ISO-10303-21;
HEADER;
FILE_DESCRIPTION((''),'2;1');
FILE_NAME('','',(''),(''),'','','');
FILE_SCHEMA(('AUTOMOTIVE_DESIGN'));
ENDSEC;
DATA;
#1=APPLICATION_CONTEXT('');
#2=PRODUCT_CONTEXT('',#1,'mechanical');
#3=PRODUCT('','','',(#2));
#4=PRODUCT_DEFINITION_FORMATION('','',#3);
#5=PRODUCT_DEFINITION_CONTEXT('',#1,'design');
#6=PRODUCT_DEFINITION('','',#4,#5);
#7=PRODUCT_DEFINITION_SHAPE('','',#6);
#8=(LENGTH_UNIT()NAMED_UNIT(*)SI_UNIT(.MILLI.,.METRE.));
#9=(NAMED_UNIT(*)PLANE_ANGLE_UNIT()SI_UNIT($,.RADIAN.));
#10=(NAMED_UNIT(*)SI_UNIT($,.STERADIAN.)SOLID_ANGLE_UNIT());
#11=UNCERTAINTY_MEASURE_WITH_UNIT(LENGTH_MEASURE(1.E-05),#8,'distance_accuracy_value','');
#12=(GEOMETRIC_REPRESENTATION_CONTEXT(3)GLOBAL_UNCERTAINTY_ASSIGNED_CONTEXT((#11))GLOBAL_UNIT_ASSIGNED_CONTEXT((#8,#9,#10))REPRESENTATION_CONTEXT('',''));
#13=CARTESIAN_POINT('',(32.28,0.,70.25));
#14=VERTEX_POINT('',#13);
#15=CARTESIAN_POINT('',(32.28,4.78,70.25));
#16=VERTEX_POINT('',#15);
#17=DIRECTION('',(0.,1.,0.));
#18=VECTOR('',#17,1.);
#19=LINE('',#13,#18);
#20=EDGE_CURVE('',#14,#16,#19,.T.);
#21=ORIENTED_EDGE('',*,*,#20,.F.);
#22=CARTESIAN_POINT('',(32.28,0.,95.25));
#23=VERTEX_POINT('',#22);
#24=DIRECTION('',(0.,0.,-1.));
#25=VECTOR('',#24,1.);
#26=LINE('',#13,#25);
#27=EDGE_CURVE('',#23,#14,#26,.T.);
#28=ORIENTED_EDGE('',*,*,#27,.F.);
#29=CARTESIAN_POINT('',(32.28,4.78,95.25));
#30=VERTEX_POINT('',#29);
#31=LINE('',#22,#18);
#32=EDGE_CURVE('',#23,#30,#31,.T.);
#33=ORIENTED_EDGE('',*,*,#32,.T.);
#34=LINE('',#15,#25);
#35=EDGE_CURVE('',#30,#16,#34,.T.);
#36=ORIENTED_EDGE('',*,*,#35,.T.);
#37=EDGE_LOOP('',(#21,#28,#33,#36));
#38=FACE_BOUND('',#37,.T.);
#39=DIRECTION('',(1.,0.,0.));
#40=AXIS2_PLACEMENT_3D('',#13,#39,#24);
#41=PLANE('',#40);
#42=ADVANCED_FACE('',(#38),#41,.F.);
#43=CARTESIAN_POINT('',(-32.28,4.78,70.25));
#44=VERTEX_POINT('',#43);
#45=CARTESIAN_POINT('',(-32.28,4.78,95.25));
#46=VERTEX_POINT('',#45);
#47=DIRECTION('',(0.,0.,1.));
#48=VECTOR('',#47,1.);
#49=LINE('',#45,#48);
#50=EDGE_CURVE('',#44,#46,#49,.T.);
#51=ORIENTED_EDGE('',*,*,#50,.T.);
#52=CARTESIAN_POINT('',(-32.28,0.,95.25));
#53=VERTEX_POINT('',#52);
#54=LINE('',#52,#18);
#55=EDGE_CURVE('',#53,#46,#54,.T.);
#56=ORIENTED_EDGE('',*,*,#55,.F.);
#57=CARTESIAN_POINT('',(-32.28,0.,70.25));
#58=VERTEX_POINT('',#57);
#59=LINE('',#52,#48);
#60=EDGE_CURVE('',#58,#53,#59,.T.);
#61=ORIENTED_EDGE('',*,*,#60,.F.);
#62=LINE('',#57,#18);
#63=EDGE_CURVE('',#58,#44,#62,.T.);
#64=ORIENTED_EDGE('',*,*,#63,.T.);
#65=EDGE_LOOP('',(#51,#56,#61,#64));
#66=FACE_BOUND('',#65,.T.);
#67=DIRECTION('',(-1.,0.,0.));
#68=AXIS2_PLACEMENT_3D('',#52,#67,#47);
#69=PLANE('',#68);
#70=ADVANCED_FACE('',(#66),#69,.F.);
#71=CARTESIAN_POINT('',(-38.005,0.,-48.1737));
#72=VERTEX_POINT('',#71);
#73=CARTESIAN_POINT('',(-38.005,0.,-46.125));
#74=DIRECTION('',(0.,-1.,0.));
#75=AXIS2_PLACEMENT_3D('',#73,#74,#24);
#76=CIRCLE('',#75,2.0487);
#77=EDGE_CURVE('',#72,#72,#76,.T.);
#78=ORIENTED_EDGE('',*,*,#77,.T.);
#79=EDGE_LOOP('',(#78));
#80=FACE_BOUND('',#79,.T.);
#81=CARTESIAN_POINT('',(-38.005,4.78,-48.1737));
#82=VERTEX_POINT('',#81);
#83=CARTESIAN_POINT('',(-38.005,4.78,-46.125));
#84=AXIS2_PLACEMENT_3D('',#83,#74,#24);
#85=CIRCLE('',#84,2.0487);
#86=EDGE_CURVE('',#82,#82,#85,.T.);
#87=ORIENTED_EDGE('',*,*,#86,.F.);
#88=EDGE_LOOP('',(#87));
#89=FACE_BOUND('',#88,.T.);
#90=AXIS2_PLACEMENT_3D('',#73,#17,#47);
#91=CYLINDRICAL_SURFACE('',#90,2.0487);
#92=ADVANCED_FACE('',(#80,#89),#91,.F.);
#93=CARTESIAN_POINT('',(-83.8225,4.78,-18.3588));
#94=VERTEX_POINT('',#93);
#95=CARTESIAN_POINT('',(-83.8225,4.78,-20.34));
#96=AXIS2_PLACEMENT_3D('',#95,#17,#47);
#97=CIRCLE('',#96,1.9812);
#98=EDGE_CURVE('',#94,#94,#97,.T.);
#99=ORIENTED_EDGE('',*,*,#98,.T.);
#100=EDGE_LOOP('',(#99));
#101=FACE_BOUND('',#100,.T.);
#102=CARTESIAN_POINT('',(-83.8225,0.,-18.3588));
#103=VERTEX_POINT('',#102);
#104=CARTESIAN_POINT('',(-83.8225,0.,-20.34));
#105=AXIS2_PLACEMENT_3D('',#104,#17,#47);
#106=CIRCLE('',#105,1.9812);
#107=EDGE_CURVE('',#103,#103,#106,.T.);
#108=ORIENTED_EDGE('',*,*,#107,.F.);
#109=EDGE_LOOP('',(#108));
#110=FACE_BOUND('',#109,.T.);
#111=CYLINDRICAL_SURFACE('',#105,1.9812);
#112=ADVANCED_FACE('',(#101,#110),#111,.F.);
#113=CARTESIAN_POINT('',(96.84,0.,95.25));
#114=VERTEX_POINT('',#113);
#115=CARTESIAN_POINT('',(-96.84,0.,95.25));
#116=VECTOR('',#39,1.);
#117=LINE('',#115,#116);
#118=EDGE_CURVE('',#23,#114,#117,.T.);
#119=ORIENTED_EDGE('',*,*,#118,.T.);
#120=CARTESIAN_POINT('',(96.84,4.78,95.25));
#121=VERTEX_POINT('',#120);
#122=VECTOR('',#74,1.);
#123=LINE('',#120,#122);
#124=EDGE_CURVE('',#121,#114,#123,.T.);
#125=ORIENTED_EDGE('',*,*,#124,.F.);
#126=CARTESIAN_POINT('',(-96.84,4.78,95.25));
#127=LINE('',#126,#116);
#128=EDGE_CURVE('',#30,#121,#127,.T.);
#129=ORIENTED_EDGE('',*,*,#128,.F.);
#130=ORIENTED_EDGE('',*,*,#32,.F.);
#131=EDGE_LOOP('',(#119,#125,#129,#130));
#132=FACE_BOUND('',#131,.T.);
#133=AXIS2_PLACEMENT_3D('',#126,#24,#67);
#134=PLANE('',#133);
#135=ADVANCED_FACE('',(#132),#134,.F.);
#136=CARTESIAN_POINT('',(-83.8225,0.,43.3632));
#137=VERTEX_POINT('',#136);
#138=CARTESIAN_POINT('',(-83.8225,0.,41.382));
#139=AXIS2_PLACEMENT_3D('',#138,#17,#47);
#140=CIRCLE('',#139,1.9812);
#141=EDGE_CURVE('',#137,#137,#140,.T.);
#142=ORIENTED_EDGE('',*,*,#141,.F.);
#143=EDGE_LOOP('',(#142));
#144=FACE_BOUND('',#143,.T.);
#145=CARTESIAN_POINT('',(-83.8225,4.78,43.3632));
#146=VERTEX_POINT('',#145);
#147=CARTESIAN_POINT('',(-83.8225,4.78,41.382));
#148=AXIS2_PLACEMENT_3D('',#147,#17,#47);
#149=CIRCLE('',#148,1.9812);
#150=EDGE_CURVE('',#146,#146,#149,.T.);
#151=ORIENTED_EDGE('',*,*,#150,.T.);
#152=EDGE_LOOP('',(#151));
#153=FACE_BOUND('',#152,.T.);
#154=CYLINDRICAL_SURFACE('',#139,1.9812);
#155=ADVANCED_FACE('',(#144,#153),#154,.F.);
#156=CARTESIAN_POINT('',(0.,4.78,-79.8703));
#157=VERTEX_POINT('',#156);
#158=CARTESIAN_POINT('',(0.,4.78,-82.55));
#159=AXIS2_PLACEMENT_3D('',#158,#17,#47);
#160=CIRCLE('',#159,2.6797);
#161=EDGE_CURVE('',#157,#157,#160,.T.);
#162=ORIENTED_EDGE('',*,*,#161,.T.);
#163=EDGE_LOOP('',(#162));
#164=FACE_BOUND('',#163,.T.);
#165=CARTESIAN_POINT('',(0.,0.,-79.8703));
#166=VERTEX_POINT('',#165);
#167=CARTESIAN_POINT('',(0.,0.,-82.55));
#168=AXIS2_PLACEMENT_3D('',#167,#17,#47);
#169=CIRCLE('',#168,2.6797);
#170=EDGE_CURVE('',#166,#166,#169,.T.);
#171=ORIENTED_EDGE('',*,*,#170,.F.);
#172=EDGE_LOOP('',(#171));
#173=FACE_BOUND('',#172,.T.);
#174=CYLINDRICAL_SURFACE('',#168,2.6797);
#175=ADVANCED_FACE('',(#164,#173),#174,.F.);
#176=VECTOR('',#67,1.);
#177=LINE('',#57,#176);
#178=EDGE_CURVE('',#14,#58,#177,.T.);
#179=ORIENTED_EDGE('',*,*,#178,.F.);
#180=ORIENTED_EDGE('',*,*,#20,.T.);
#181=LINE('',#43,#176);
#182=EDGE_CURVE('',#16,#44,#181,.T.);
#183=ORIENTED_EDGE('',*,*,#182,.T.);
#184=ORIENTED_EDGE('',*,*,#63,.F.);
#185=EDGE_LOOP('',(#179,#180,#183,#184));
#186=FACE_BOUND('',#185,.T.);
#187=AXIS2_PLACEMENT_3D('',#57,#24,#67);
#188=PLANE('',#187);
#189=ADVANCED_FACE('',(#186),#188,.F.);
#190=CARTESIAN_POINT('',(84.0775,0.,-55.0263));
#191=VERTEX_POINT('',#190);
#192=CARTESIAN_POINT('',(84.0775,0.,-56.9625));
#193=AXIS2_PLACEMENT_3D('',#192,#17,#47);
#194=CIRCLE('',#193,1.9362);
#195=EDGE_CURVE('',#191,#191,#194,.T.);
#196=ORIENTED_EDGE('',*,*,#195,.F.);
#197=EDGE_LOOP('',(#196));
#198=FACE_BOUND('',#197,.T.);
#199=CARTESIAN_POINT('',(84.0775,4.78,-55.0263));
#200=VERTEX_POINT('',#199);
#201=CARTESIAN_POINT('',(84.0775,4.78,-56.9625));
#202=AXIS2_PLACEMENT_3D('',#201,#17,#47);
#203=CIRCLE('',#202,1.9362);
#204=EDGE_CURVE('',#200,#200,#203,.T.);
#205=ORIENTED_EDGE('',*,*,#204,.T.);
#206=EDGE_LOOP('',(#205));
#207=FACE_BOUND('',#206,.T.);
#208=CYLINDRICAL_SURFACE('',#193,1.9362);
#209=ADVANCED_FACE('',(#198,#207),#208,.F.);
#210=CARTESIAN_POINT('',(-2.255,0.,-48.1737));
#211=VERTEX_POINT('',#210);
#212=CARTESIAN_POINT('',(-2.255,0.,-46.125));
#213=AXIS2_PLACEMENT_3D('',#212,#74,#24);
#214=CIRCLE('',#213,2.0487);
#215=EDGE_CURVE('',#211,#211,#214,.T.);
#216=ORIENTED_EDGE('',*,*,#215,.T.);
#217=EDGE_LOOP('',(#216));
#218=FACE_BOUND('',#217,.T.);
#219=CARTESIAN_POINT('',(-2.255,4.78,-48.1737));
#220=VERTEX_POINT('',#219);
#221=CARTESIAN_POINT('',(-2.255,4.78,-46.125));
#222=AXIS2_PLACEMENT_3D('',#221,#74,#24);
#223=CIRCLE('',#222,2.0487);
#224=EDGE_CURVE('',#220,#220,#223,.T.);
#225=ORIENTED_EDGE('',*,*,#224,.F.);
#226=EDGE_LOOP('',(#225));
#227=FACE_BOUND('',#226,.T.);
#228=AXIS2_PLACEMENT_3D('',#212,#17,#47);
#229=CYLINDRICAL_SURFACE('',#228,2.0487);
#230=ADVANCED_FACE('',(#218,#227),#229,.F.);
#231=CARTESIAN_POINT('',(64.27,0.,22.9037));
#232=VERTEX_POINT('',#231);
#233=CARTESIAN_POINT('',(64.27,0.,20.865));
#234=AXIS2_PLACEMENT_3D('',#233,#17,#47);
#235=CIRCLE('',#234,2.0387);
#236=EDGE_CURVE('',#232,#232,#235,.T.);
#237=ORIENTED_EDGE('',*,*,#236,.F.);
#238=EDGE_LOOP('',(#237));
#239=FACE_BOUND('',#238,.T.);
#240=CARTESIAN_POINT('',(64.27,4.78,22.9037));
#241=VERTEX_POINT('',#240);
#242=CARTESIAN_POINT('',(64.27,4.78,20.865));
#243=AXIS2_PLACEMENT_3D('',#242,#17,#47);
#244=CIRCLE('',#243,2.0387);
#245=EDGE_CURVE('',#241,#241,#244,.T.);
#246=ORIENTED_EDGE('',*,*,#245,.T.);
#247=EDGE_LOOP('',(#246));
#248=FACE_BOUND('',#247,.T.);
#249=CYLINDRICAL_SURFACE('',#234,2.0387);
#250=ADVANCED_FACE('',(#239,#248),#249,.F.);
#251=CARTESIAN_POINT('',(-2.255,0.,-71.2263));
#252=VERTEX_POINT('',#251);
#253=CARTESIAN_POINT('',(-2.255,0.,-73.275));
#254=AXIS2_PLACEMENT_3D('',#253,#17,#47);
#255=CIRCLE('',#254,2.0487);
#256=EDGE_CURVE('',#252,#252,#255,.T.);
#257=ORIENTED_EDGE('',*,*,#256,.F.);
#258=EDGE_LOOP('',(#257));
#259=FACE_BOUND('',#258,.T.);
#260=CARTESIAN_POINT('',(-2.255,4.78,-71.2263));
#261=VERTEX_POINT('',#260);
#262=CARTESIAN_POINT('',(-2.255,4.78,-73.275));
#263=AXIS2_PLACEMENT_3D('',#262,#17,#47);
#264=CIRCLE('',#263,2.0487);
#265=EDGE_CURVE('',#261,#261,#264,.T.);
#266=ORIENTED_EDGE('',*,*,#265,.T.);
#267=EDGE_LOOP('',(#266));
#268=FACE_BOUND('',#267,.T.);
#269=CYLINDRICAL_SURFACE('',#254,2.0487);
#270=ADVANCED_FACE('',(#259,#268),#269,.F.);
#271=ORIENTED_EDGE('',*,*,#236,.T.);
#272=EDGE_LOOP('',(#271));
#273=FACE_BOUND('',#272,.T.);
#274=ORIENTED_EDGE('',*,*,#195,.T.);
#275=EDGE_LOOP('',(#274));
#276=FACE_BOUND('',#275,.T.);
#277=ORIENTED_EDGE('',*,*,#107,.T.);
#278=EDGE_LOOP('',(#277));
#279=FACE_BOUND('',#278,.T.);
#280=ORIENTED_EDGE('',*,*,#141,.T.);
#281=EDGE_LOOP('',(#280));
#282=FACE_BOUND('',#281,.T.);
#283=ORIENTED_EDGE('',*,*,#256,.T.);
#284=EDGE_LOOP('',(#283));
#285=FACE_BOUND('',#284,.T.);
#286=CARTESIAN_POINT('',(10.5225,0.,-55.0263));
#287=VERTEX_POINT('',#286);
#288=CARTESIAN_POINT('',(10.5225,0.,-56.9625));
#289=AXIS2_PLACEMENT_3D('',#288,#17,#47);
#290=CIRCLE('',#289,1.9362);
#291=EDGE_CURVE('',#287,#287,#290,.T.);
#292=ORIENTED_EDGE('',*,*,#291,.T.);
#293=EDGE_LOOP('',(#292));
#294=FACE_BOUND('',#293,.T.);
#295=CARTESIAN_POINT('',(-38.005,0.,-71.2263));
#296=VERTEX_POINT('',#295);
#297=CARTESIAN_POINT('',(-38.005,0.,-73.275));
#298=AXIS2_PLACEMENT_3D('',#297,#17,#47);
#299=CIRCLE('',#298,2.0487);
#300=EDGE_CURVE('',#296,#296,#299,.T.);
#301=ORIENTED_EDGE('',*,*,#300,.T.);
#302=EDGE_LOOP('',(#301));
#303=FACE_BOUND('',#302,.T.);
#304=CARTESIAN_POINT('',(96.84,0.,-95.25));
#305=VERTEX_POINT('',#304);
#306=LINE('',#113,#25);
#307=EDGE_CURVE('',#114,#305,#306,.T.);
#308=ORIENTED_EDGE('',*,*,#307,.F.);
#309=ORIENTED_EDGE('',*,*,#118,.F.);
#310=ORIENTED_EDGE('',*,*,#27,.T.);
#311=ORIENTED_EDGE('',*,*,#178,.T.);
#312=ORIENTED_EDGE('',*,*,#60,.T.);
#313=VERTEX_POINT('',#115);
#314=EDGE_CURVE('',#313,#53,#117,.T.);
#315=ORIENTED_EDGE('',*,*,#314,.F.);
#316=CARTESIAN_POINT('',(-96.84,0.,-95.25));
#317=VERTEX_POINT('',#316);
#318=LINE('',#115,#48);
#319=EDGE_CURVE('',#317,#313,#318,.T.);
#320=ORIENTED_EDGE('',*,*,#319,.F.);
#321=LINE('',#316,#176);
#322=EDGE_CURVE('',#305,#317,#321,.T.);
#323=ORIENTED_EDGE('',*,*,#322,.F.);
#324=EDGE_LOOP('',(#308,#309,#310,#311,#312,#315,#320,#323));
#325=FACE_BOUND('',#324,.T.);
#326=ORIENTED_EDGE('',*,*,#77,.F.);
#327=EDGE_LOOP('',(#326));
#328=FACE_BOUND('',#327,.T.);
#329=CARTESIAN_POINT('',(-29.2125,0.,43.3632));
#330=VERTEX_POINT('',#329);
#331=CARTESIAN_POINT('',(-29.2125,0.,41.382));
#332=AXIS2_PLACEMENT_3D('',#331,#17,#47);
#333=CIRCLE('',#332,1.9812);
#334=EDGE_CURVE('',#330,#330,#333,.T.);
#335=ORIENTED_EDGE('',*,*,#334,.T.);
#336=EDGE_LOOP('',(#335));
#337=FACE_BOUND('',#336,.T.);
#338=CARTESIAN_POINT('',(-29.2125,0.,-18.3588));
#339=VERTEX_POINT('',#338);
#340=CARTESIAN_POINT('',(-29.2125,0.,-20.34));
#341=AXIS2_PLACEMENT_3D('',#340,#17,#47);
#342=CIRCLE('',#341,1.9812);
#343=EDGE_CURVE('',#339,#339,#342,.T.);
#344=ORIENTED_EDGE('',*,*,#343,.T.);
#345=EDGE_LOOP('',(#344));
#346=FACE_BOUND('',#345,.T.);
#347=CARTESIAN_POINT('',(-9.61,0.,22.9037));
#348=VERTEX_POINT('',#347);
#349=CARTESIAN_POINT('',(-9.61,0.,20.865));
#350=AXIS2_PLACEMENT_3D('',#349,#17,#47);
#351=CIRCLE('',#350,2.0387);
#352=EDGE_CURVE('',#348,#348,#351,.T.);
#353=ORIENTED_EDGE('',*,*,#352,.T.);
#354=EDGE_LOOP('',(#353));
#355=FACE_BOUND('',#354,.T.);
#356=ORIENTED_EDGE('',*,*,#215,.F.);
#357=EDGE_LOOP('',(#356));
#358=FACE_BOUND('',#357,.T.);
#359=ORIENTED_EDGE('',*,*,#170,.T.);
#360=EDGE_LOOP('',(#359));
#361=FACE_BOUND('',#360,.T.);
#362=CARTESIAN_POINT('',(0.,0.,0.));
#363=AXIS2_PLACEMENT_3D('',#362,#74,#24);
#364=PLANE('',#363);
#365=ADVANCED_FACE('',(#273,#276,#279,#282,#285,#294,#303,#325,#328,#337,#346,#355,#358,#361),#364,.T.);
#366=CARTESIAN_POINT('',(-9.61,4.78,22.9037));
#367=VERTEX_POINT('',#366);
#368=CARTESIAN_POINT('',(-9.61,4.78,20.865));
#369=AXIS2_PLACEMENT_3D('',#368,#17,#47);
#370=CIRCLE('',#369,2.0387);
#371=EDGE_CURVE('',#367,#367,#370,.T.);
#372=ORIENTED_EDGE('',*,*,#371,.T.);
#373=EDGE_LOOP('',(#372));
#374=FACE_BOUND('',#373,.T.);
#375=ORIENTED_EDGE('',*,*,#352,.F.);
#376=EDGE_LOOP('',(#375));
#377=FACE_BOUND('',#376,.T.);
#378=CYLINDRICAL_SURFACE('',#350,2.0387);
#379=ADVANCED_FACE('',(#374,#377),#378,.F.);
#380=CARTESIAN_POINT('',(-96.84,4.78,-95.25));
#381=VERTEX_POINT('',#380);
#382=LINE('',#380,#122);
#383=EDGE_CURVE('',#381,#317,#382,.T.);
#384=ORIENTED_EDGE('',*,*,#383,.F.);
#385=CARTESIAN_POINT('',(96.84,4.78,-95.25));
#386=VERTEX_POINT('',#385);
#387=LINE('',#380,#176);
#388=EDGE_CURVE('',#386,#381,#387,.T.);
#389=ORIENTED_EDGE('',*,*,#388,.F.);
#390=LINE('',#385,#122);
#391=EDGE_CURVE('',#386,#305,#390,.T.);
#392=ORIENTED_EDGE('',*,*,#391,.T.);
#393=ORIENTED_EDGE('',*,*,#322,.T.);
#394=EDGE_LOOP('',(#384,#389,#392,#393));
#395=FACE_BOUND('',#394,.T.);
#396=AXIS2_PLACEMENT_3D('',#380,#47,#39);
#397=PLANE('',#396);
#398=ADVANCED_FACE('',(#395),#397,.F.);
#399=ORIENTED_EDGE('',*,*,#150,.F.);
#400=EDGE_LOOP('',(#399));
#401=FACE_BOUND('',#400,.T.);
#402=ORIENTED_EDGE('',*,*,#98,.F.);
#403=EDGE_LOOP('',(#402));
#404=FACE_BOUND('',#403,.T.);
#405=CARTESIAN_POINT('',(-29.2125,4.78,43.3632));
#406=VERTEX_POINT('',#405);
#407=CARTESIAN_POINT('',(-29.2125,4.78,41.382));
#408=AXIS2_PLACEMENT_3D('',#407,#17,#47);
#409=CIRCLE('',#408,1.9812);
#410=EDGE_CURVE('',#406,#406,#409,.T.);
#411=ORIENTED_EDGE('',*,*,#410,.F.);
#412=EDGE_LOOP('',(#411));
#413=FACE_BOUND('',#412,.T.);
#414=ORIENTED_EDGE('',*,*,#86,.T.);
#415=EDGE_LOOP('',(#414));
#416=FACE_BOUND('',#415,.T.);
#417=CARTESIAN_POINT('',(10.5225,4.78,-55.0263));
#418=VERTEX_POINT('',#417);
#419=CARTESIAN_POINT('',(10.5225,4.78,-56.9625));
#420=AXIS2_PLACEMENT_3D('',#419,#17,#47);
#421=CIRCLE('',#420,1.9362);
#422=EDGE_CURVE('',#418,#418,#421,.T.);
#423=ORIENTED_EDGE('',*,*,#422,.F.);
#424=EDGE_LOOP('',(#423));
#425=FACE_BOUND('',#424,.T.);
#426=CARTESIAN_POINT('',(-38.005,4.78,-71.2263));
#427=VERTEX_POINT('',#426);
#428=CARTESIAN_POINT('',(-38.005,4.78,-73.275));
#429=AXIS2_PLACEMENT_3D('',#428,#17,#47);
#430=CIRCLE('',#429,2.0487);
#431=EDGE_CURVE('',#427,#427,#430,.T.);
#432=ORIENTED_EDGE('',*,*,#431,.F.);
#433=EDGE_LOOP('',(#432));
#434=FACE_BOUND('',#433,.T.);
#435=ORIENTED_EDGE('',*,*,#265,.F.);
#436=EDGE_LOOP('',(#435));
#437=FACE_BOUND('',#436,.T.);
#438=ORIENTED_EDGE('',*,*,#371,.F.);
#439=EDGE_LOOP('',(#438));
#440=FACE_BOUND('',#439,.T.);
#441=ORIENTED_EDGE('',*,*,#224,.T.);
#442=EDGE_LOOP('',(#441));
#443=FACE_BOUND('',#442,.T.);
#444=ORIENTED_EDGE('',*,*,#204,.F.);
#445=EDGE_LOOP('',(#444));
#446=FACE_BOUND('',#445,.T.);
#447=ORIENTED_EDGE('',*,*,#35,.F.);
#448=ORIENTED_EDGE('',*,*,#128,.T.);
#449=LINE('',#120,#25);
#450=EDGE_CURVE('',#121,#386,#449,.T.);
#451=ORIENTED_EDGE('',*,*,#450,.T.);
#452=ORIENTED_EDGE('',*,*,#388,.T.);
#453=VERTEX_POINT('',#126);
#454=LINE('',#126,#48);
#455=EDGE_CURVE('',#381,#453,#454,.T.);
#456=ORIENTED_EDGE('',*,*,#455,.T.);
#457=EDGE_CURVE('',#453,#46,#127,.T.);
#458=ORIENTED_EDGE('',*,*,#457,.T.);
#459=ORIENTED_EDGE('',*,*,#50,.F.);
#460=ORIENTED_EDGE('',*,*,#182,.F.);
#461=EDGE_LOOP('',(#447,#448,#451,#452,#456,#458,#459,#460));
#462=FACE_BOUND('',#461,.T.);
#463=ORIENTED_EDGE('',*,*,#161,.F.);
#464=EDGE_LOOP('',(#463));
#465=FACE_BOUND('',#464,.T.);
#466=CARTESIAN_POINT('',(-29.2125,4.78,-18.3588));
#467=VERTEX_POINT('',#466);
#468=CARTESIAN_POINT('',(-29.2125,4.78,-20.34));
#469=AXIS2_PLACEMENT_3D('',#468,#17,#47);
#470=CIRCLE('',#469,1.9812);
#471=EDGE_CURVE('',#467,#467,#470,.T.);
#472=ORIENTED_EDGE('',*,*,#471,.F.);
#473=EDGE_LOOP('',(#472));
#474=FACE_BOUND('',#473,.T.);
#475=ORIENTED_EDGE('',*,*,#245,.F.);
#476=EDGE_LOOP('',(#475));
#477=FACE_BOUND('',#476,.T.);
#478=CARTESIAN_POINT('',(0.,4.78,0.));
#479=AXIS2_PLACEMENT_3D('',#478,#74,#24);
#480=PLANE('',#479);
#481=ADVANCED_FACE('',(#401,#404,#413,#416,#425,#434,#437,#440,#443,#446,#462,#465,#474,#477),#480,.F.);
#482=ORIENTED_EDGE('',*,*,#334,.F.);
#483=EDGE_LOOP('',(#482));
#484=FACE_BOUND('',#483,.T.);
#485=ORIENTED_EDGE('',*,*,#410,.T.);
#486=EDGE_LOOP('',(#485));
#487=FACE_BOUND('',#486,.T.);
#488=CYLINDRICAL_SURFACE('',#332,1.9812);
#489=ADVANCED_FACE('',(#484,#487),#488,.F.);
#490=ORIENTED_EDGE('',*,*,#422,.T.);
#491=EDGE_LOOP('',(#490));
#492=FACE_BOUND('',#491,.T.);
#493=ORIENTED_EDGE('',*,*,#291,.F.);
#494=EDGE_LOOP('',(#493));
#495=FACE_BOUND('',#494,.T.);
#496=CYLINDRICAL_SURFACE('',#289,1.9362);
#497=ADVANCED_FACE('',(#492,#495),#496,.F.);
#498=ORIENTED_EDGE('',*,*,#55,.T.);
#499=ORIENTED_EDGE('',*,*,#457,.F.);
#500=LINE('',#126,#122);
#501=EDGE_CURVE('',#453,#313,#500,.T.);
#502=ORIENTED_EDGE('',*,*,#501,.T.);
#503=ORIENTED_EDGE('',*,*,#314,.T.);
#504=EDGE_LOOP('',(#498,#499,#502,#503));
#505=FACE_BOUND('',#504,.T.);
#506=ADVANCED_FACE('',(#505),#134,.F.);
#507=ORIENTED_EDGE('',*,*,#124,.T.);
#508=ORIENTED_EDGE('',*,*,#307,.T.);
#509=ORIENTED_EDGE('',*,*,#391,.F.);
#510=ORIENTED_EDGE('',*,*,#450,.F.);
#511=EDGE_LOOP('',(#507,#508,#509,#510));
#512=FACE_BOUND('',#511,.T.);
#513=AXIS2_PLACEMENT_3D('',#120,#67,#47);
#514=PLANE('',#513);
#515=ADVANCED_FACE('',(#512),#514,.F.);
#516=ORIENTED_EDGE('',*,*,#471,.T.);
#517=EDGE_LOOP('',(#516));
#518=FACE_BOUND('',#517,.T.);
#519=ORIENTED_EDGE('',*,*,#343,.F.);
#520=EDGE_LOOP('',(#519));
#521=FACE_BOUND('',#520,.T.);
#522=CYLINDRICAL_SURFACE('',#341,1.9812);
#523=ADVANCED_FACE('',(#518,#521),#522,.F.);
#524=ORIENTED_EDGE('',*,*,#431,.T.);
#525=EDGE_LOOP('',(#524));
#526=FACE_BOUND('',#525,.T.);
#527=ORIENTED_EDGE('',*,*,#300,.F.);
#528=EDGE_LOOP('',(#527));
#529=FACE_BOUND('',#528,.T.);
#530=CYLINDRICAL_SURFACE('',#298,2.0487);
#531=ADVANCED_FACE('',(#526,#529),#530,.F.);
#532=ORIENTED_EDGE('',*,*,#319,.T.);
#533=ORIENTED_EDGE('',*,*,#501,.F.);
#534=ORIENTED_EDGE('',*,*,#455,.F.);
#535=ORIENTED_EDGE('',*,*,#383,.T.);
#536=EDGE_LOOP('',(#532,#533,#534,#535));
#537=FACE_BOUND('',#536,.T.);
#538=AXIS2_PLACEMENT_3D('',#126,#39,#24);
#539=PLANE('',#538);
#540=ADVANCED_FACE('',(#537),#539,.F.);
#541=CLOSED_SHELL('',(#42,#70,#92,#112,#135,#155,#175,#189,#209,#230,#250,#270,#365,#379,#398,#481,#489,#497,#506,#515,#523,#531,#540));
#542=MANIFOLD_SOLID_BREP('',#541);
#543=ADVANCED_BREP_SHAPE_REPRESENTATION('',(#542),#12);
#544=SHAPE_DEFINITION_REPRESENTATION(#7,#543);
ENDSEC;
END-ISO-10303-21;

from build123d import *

# Parameters (mm, degrees)
SKETCH1_W           = 193.68
SKETCH1_H           = 190.5
BOSS_EXTRUDE1_DEPTH = 4.78
SKETCH2_R           = 2.6797
CUT_EXTRUDE1_DEPTH  = 5.78
CUT_EXTRUDE2_DEPTH  = 5.78
SKETCH4_R           = 1.936199963
SKETCH4_R_2         = 2.048699992
SKETCH4_R_3         = 1.9812
SKETCH4_R_4         = 2.038700012
CUT_EXTRUDE3_DEPTH  = 5.78


with BuildPart() as part:
    # Sketch1 → Boss-Extrude1 (new body)
    with BuildSketch(Plane(origin=(0, 0, 0), x_dir=(1, 0, 0), z_dir=(0, 1, 0))):
        Rectangle(SKETCH1_W, SKETCH1_H)
    extrude(amount=BOSS_EXTRUDE1_DEPTH)

    # Sketch2 → Cut-Extrude1 (cut, through all)
    with BuildSketch(Plane(origin=(0, 4.78, 0), x_dir=(1, 0, 0), z_dir=(0, 1, 0))):
        with Locations((0, 82.55)):
            Circle(SKETCH2_R)
    extrude(amount=-CUT_EXTRUDE1_DEPTH, mode=Mode.SUBTRACT)

    # Sketch3 → Cut-Extrude2 (cut, through all)
    with BuildSketch(Plane(origin=(0, 4.78, 0), x_dir=(1, 0, 0), z_dir=(0, 1, 0))):
        Polygon((0, -95.25), (-32.28, -95.25), (-32.28, -70.249999962), (32.28, -70.249999962), (32.28, -95.25), align=None)
    extrude(amount=-CUT_EXTRUDE2_DEPTH, mode=Mode.SUBTRACT)

    # Sketch4 → Cut-Extrude3 (cut, through all)
    with BuildSketch(Plane(origin=(0, 4.78, 0), x_dir=(1, 0, 0), z_dir=(0, 1, 0))):
        with Locations((10.5225, 56.962500062)):
            Circle(SKETCH4_R)
        with Locations((84.0775, 56.9625)):
            Circle(SKETCH4_R)
        with Locations((-38.005, 73.274999999)):
            Circle(SKETCH4_R_2)
        with Locations((-2.255, 73.275)):
            Circle(SKETCH4_R_2)
        with Locations((-2.255, 46.125)):
            Circle(SKETCH4_R_2)
        with Locations((-38.005, 46.125000001)):
            Circle(SKETCH4_R_2)
        with Locations((-83.8225, -41.381999999)):
            Circle(SKETCH4_R_3)
        with Locations((-83.822499999, 20.340000001)):
            Circle(SKETCH4_R_3)
        with Locations((-29.212499999, 20.34)):
            Circle(SKETCH4_R_3)
        with Locations((-29.2125, -41.382)):
            Circle(SKETCH4_R_3)
        with Locations((64.27, -20.864999962)):
            Circle(SKETCH4_R_4)
        with Locations((-9.61, -20.864999962)):
            Circle(SKETCH4_R_4)
    extrude(amount=-CUT_EXTRUDE3_DEPTH, mode=Mode.SUBTRACT)


solid = part.part
